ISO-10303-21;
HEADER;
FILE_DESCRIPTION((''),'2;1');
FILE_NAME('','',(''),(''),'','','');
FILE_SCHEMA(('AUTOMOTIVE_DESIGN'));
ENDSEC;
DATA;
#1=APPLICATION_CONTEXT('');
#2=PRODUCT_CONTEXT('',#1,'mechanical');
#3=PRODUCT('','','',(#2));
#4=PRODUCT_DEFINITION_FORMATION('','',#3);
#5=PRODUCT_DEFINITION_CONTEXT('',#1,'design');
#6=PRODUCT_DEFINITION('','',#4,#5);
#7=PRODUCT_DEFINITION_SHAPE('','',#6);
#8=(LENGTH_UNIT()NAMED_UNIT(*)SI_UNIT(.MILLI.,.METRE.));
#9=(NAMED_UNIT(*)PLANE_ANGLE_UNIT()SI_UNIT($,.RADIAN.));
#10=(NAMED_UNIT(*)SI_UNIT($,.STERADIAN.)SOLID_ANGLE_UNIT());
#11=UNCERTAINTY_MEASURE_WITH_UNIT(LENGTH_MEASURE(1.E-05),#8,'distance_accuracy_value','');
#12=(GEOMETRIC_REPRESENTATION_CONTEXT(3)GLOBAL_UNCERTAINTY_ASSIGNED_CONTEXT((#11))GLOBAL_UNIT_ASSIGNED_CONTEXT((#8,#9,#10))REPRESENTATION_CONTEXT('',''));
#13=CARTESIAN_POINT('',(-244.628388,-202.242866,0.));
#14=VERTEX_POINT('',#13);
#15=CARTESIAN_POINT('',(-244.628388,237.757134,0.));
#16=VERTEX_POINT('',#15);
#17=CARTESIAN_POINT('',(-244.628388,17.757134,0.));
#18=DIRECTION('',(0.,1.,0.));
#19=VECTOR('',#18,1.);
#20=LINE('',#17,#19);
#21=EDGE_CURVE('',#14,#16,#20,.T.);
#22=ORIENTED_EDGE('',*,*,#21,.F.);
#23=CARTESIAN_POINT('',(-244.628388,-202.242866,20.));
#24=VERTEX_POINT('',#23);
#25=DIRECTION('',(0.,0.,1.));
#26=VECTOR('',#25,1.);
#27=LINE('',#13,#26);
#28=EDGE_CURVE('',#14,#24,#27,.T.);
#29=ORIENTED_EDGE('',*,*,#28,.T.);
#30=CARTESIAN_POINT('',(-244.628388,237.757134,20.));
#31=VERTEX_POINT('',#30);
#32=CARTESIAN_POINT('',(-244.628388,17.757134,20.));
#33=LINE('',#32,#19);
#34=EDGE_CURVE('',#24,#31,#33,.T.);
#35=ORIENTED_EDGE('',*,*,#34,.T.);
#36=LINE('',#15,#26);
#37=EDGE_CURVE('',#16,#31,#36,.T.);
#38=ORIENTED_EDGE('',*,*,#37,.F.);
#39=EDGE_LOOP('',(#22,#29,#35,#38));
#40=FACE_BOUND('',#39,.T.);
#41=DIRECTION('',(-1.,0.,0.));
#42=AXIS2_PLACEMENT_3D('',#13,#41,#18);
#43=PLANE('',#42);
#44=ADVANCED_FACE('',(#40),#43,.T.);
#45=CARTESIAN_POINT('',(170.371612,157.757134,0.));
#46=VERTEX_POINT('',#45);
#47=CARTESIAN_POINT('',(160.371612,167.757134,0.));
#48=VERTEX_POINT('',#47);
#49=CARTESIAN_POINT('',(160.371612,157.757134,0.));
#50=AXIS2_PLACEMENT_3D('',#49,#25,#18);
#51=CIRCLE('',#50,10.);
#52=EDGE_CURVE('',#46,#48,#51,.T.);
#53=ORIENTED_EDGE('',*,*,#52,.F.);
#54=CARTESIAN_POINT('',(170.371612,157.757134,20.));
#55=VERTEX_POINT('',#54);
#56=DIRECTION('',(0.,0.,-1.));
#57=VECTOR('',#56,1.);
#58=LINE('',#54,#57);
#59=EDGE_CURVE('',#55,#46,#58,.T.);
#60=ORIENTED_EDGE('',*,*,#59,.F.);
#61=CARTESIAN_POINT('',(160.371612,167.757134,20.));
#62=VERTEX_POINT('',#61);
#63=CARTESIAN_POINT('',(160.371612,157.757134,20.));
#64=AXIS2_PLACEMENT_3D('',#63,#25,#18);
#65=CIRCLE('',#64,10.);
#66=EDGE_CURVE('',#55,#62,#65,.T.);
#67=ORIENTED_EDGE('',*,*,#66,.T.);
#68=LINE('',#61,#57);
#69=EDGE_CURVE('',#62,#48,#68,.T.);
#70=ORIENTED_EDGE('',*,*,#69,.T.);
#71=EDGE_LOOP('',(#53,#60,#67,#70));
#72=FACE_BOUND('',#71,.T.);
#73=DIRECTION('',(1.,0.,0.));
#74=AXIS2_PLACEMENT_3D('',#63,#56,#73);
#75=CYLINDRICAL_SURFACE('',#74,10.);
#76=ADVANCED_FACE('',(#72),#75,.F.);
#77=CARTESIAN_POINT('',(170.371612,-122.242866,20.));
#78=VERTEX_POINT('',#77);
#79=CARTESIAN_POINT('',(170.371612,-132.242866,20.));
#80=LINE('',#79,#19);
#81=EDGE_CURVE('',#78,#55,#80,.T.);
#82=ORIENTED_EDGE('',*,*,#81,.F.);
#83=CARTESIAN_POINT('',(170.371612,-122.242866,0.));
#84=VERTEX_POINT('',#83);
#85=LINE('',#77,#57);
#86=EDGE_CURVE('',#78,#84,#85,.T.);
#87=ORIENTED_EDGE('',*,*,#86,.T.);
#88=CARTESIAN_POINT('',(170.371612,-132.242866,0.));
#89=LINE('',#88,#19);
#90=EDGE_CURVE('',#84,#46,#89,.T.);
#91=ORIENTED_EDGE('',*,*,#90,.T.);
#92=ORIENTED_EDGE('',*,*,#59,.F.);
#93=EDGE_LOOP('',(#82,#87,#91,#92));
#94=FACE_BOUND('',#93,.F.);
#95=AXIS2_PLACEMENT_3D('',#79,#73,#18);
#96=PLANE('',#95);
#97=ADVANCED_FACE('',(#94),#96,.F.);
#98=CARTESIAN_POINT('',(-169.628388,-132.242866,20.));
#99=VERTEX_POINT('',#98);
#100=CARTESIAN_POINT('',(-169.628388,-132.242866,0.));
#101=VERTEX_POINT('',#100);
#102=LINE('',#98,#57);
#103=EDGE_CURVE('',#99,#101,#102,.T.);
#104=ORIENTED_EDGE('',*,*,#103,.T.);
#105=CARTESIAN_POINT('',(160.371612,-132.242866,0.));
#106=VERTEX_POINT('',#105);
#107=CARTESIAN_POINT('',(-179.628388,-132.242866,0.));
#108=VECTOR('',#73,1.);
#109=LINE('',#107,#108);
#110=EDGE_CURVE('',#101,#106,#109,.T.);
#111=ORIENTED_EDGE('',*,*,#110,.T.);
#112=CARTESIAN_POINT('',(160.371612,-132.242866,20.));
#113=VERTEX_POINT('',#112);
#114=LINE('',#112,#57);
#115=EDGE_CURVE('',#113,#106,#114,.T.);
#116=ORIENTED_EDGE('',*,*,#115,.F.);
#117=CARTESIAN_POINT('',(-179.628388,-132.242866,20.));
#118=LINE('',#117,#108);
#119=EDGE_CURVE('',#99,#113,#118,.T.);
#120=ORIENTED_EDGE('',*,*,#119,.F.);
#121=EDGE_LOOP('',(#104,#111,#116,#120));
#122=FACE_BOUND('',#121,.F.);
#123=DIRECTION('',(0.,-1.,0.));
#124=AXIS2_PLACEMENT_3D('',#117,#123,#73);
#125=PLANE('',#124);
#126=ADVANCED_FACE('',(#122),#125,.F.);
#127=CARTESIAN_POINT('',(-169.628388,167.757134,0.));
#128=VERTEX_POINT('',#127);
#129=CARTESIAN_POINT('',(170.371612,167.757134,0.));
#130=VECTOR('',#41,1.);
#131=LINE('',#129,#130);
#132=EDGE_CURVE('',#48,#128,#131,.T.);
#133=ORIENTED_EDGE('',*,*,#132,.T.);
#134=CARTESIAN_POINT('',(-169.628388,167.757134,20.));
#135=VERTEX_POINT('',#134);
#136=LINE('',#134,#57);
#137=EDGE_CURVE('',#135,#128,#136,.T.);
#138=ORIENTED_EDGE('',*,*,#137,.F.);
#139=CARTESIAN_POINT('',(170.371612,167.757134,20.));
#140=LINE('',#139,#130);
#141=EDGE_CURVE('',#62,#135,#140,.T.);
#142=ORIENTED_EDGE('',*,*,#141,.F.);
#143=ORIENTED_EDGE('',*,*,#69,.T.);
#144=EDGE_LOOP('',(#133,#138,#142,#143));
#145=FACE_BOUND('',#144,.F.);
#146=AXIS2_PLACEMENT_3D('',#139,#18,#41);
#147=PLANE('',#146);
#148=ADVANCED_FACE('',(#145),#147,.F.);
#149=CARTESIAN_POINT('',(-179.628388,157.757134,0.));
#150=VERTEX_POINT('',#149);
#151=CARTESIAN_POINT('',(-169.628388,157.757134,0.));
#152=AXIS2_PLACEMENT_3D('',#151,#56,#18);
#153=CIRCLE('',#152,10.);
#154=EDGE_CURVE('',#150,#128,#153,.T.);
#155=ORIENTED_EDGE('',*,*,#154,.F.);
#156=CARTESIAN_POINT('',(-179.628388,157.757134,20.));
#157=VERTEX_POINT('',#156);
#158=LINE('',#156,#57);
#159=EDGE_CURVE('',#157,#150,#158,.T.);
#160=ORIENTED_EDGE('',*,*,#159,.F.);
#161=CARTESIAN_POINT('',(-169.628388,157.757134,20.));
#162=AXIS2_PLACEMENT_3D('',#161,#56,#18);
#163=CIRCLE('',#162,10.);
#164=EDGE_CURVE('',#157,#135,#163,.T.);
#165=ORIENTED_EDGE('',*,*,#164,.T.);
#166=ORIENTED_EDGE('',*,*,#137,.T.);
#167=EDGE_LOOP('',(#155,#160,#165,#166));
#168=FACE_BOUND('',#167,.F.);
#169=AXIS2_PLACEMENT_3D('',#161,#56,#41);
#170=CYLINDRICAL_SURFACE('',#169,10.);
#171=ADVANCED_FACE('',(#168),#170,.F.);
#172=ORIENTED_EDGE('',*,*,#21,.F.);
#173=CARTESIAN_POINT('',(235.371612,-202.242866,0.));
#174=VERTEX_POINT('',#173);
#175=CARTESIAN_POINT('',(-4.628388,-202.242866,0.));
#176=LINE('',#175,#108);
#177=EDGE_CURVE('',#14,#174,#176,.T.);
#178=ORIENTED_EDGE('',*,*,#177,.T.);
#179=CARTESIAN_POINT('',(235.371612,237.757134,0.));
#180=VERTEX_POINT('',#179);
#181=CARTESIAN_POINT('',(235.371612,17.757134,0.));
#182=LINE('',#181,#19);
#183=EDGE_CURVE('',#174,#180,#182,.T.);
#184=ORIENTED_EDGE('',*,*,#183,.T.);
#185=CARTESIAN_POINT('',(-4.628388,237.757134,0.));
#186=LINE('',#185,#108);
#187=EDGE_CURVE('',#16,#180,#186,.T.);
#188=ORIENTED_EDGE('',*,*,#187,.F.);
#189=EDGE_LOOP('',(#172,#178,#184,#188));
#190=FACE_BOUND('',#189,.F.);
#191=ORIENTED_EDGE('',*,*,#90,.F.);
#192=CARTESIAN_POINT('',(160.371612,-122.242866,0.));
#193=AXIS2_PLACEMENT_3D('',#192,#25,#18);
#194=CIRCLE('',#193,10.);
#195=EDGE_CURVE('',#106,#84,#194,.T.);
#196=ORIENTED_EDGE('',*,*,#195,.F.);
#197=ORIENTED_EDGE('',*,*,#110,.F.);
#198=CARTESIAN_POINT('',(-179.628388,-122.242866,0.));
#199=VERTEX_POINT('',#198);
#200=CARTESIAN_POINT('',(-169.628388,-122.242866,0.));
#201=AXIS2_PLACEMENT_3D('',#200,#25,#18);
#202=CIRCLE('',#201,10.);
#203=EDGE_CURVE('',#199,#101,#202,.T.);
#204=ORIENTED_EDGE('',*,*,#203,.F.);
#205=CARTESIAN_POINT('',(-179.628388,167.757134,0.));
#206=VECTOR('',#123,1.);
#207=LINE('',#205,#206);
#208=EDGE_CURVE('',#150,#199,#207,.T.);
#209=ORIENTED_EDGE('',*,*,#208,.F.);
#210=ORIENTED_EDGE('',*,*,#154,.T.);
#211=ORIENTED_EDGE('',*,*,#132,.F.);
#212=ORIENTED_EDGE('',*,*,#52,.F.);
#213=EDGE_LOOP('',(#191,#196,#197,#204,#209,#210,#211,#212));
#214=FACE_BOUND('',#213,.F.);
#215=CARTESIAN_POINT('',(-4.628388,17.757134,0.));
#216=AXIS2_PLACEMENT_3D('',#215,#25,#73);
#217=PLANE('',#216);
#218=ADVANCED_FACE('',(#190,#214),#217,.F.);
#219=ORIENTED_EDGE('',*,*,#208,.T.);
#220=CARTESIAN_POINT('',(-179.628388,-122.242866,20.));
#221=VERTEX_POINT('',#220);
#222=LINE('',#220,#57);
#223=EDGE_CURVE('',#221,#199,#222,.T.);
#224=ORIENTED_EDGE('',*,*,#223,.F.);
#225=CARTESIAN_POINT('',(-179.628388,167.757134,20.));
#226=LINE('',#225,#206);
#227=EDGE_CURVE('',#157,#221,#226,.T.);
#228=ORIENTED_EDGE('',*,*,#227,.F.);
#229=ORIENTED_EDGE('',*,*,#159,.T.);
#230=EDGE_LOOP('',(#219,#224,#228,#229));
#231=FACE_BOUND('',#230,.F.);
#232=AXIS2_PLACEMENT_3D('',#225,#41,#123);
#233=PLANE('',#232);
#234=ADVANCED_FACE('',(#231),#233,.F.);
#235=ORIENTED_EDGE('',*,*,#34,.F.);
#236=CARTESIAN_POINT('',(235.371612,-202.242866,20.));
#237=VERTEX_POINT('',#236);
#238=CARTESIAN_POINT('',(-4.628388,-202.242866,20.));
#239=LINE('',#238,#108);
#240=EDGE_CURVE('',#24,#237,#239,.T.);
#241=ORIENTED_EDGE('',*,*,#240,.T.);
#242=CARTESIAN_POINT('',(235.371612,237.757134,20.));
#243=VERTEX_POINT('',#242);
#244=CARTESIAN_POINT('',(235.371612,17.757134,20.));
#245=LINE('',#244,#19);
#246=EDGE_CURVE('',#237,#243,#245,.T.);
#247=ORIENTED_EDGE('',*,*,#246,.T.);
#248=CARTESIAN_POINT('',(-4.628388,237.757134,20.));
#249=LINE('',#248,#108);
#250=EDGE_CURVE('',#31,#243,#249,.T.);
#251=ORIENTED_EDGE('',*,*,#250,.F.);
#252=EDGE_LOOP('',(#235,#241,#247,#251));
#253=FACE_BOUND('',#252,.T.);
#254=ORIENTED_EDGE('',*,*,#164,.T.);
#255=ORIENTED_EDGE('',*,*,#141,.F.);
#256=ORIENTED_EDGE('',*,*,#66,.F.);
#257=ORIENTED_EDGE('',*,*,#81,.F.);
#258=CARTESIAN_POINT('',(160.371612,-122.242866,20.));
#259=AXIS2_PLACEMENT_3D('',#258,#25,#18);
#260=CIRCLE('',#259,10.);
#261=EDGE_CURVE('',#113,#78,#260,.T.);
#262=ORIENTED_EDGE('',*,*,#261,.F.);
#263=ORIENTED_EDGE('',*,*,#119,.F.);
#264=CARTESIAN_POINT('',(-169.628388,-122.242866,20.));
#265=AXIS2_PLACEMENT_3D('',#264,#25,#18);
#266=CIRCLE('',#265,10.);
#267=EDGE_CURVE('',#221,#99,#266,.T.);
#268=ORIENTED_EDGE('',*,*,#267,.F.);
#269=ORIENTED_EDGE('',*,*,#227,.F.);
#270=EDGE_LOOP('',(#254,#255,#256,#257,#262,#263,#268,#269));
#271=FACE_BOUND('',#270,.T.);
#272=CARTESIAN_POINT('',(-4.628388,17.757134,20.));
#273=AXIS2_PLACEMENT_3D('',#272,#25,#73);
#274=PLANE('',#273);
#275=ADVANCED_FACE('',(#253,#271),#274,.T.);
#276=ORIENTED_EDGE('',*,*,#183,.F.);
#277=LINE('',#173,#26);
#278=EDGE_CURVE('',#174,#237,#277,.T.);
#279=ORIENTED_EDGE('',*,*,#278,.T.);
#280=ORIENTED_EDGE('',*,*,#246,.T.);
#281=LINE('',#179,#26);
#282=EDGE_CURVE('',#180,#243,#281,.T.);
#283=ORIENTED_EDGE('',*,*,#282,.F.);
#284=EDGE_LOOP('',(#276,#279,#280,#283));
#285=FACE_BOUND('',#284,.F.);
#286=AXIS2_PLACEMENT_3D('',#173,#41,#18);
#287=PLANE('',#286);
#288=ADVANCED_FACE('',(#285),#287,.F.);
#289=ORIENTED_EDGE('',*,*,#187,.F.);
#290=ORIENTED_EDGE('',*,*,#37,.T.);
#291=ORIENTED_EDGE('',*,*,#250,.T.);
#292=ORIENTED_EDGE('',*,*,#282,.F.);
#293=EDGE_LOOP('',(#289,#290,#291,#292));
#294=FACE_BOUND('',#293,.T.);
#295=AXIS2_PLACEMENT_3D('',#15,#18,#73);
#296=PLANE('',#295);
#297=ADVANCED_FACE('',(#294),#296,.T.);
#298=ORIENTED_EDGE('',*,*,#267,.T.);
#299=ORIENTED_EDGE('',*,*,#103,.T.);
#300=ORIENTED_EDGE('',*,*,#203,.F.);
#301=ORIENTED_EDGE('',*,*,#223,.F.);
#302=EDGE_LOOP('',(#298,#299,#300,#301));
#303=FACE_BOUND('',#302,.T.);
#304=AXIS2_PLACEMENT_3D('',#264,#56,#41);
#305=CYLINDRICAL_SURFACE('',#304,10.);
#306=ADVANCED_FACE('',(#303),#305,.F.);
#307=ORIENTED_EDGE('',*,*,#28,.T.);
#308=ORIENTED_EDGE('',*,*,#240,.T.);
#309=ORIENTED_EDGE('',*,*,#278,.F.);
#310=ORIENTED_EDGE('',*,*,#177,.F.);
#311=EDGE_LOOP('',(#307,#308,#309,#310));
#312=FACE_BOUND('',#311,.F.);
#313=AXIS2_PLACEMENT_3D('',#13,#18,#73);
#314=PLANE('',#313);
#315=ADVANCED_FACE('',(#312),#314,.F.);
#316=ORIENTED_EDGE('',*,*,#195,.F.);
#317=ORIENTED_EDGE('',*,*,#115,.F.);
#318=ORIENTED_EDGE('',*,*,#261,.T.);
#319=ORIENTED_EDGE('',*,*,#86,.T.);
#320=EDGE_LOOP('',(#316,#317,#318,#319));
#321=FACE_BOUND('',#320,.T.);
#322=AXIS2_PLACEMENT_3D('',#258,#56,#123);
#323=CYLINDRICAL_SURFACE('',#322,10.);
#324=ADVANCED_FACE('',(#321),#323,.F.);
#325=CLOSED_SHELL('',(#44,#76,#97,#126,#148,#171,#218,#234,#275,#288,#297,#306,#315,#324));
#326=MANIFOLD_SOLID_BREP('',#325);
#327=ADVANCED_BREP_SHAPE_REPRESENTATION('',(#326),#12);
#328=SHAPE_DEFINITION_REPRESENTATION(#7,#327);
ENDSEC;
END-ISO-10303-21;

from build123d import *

# Parameters (mm, degrees)
F0_W     = 480
F0_H     = 440
F1_DEPTH = 20
F2_W     = 175
F2_H     = 150
F3_DEPTH = 20
F4_R     = 10


with BuildPart() as f1:
    # F0 (on Top) → F1 (new body)
    with BuildSketch(Plane.XY):
        with Locations((-4.628388, 17.757134)):
            Rectangle(F0_W, F0_H)
    extrude(amount=F1_DEPTH)

    # F2 (on face) → F3 (cut, through all)
    with BuildSketch(Plane.XY.offset(20)):
        with Locations((-92.128388, 92.757134)):
            Rectangle(F2_W, F2_H)
        with Locations((82.871612, 92.757134)):
            Rectangle(F2_W, F2_H)
        with Locations((-92.128388, -57.242866)):
            Rectangle(F2_W, F2_H)
        with Locations((82.871612, -57.242866)):
            Rectangle(F2_W, F2_H)
    extrude(amount=-F3_DEPTH, mode=Mode.SUBTRACT)

    # F4
    f4_edges = [f1.edges().sort_by_distance(p)[0] for p in [
        (-179.628388, 167.757134, 10),
        (-179.628388, -132.242866, 10),
        (170.371612, 167.757134, 10),
        (170.371612, -132.242866, 10),
    ]]
    fillet(f4_edges, radius=F4_R)


solid = f1.part
